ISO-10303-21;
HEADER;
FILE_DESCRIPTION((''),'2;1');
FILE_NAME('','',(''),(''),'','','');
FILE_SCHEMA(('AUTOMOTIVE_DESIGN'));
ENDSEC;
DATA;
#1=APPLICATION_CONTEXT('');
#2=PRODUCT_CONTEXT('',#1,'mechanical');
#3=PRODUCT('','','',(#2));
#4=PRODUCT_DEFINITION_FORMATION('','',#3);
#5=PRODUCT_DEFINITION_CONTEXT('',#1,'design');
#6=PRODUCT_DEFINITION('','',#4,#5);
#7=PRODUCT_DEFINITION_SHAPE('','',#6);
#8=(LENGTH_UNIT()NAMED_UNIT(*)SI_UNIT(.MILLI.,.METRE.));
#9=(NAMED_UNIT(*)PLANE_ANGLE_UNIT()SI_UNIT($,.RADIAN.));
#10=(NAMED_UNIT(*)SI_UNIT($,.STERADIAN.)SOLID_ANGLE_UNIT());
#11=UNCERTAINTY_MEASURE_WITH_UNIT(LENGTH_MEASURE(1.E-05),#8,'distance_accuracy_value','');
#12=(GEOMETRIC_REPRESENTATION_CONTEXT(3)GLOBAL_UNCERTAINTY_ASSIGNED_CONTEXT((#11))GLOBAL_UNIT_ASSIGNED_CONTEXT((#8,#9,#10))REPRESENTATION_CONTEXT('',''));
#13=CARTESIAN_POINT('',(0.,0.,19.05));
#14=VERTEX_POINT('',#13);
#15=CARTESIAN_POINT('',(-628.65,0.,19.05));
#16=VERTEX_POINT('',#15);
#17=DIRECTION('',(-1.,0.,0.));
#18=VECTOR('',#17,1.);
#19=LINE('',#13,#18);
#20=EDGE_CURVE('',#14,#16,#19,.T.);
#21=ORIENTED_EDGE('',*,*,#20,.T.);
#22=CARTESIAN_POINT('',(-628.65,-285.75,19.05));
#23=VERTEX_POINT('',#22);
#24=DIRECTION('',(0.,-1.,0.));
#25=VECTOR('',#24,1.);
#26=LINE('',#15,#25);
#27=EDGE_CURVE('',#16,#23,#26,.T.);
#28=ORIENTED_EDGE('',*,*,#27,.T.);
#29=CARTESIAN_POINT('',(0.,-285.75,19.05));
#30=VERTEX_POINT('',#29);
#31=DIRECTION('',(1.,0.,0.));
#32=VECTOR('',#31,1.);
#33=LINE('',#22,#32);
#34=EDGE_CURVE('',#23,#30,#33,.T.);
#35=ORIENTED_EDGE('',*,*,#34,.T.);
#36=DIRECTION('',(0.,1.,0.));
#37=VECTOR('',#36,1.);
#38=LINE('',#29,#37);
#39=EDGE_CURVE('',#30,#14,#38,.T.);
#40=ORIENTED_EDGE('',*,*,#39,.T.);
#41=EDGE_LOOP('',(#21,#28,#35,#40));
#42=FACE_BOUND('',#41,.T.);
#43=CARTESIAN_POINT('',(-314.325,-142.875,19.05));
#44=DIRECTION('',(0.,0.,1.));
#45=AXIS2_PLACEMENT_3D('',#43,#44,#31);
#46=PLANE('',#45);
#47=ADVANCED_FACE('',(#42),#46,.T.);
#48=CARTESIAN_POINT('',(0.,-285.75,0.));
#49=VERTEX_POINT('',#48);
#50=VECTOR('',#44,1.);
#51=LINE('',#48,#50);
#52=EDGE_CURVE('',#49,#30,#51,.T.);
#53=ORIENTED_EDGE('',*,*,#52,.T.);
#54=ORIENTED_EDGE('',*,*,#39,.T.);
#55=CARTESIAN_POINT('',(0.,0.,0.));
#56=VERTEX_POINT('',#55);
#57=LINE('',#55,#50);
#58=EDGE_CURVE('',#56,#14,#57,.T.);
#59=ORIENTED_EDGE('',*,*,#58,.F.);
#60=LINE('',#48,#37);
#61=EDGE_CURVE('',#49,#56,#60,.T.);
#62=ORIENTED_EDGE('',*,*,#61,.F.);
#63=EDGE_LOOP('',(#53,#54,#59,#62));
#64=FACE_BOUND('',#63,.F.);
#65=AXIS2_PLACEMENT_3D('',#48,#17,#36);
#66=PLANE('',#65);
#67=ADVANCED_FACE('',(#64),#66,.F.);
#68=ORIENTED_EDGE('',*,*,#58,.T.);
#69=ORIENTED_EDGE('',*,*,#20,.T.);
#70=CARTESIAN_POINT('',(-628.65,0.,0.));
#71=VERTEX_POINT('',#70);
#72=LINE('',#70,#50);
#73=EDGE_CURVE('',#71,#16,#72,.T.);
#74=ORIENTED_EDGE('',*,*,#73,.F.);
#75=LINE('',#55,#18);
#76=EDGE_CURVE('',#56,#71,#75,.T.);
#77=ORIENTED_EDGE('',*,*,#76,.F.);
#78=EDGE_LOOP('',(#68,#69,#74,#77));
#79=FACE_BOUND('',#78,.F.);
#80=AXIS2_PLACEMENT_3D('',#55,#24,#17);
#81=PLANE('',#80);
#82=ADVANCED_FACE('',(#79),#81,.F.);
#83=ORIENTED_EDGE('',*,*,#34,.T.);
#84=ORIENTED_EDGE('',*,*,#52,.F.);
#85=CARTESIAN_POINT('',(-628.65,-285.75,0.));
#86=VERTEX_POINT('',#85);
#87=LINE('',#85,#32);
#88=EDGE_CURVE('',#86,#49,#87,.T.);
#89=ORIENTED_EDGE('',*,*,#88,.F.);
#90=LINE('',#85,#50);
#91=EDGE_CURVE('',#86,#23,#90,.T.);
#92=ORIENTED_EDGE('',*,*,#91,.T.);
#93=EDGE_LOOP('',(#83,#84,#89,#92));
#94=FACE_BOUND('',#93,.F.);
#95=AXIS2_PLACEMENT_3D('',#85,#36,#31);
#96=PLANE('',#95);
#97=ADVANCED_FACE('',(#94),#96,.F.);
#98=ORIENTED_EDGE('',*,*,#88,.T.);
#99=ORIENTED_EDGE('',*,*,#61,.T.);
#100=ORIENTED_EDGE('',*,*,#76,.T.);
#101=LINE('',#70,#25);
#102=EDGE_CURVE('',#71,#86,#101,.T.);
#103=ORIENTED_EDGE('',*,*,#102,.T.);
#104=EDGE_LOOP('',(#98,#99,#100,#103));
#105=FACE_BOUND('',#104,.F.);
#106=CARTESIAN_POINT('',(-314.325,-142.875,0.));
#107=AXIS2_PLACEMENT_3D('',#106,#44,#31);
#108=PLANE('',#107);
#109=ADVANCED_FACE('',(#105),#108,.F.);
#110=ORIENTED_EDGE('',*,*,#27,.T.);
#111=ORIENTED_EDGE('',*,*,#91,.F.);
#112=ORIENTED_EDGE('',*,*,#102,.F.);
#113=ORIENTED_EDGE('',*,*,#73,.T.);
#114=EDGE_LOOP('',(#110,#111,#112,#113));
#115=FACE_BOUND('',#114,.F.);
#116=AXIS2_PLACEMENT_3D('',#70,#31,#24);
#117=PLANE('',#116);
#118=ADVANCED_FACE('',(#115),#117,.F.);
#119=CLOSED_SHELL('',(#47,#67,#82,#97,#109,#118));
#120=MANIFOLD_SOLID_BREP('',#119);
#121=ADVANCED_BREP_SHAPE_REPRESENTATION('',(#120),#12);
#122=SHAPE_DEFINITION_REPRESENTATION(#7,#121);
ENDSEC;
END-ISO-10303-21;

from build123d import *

# Parameters (mm, degrees)
F0_W     = 596.9
F0_H     = 254
F0_H_2   = 15.875
F0_W_2   = 15.875
F1_DEPTH = 19.05


with BuildPart() as f1:
    # F0 (on Top) → F1 (new body)
    with BuildSketch(Plane.XY):
        with Locations((-314.325, -142.875)):
            Rectangle(F0_W, F0_H)
        with Locations((-314.325, -7.9375)):
            Rectangle(F0_W, F0_H_2)
        with Locations((-620.7125, -142.875)):
            Rectangle(F0_W_2, F0_H)
        with Locations((-314.325, -277.8125)):
            Rectangle(F0_W, F0_H_2)
        with Locations((-7.9375, -142.875)):
            Rectangle(F0_W_2, F0_H)
        with Locations((-620.7125, -277.8125)):
            Rectangle(F0_W_2, F0_H_2)
        with Locations((-7.9375, -277.8125)):
            Rectangle(F0_W_2, F0_H_2)
        with Locations((-7.9375, -7.9375)):
            Rectangle(F0_W_2, F0_H_2)
        with Locations((-620.7125, -7.9375)):
            Rectangle(F0_W_2, F0_H_2)
    extrude(amount=F1_DEPTH)


solid = f1.part
